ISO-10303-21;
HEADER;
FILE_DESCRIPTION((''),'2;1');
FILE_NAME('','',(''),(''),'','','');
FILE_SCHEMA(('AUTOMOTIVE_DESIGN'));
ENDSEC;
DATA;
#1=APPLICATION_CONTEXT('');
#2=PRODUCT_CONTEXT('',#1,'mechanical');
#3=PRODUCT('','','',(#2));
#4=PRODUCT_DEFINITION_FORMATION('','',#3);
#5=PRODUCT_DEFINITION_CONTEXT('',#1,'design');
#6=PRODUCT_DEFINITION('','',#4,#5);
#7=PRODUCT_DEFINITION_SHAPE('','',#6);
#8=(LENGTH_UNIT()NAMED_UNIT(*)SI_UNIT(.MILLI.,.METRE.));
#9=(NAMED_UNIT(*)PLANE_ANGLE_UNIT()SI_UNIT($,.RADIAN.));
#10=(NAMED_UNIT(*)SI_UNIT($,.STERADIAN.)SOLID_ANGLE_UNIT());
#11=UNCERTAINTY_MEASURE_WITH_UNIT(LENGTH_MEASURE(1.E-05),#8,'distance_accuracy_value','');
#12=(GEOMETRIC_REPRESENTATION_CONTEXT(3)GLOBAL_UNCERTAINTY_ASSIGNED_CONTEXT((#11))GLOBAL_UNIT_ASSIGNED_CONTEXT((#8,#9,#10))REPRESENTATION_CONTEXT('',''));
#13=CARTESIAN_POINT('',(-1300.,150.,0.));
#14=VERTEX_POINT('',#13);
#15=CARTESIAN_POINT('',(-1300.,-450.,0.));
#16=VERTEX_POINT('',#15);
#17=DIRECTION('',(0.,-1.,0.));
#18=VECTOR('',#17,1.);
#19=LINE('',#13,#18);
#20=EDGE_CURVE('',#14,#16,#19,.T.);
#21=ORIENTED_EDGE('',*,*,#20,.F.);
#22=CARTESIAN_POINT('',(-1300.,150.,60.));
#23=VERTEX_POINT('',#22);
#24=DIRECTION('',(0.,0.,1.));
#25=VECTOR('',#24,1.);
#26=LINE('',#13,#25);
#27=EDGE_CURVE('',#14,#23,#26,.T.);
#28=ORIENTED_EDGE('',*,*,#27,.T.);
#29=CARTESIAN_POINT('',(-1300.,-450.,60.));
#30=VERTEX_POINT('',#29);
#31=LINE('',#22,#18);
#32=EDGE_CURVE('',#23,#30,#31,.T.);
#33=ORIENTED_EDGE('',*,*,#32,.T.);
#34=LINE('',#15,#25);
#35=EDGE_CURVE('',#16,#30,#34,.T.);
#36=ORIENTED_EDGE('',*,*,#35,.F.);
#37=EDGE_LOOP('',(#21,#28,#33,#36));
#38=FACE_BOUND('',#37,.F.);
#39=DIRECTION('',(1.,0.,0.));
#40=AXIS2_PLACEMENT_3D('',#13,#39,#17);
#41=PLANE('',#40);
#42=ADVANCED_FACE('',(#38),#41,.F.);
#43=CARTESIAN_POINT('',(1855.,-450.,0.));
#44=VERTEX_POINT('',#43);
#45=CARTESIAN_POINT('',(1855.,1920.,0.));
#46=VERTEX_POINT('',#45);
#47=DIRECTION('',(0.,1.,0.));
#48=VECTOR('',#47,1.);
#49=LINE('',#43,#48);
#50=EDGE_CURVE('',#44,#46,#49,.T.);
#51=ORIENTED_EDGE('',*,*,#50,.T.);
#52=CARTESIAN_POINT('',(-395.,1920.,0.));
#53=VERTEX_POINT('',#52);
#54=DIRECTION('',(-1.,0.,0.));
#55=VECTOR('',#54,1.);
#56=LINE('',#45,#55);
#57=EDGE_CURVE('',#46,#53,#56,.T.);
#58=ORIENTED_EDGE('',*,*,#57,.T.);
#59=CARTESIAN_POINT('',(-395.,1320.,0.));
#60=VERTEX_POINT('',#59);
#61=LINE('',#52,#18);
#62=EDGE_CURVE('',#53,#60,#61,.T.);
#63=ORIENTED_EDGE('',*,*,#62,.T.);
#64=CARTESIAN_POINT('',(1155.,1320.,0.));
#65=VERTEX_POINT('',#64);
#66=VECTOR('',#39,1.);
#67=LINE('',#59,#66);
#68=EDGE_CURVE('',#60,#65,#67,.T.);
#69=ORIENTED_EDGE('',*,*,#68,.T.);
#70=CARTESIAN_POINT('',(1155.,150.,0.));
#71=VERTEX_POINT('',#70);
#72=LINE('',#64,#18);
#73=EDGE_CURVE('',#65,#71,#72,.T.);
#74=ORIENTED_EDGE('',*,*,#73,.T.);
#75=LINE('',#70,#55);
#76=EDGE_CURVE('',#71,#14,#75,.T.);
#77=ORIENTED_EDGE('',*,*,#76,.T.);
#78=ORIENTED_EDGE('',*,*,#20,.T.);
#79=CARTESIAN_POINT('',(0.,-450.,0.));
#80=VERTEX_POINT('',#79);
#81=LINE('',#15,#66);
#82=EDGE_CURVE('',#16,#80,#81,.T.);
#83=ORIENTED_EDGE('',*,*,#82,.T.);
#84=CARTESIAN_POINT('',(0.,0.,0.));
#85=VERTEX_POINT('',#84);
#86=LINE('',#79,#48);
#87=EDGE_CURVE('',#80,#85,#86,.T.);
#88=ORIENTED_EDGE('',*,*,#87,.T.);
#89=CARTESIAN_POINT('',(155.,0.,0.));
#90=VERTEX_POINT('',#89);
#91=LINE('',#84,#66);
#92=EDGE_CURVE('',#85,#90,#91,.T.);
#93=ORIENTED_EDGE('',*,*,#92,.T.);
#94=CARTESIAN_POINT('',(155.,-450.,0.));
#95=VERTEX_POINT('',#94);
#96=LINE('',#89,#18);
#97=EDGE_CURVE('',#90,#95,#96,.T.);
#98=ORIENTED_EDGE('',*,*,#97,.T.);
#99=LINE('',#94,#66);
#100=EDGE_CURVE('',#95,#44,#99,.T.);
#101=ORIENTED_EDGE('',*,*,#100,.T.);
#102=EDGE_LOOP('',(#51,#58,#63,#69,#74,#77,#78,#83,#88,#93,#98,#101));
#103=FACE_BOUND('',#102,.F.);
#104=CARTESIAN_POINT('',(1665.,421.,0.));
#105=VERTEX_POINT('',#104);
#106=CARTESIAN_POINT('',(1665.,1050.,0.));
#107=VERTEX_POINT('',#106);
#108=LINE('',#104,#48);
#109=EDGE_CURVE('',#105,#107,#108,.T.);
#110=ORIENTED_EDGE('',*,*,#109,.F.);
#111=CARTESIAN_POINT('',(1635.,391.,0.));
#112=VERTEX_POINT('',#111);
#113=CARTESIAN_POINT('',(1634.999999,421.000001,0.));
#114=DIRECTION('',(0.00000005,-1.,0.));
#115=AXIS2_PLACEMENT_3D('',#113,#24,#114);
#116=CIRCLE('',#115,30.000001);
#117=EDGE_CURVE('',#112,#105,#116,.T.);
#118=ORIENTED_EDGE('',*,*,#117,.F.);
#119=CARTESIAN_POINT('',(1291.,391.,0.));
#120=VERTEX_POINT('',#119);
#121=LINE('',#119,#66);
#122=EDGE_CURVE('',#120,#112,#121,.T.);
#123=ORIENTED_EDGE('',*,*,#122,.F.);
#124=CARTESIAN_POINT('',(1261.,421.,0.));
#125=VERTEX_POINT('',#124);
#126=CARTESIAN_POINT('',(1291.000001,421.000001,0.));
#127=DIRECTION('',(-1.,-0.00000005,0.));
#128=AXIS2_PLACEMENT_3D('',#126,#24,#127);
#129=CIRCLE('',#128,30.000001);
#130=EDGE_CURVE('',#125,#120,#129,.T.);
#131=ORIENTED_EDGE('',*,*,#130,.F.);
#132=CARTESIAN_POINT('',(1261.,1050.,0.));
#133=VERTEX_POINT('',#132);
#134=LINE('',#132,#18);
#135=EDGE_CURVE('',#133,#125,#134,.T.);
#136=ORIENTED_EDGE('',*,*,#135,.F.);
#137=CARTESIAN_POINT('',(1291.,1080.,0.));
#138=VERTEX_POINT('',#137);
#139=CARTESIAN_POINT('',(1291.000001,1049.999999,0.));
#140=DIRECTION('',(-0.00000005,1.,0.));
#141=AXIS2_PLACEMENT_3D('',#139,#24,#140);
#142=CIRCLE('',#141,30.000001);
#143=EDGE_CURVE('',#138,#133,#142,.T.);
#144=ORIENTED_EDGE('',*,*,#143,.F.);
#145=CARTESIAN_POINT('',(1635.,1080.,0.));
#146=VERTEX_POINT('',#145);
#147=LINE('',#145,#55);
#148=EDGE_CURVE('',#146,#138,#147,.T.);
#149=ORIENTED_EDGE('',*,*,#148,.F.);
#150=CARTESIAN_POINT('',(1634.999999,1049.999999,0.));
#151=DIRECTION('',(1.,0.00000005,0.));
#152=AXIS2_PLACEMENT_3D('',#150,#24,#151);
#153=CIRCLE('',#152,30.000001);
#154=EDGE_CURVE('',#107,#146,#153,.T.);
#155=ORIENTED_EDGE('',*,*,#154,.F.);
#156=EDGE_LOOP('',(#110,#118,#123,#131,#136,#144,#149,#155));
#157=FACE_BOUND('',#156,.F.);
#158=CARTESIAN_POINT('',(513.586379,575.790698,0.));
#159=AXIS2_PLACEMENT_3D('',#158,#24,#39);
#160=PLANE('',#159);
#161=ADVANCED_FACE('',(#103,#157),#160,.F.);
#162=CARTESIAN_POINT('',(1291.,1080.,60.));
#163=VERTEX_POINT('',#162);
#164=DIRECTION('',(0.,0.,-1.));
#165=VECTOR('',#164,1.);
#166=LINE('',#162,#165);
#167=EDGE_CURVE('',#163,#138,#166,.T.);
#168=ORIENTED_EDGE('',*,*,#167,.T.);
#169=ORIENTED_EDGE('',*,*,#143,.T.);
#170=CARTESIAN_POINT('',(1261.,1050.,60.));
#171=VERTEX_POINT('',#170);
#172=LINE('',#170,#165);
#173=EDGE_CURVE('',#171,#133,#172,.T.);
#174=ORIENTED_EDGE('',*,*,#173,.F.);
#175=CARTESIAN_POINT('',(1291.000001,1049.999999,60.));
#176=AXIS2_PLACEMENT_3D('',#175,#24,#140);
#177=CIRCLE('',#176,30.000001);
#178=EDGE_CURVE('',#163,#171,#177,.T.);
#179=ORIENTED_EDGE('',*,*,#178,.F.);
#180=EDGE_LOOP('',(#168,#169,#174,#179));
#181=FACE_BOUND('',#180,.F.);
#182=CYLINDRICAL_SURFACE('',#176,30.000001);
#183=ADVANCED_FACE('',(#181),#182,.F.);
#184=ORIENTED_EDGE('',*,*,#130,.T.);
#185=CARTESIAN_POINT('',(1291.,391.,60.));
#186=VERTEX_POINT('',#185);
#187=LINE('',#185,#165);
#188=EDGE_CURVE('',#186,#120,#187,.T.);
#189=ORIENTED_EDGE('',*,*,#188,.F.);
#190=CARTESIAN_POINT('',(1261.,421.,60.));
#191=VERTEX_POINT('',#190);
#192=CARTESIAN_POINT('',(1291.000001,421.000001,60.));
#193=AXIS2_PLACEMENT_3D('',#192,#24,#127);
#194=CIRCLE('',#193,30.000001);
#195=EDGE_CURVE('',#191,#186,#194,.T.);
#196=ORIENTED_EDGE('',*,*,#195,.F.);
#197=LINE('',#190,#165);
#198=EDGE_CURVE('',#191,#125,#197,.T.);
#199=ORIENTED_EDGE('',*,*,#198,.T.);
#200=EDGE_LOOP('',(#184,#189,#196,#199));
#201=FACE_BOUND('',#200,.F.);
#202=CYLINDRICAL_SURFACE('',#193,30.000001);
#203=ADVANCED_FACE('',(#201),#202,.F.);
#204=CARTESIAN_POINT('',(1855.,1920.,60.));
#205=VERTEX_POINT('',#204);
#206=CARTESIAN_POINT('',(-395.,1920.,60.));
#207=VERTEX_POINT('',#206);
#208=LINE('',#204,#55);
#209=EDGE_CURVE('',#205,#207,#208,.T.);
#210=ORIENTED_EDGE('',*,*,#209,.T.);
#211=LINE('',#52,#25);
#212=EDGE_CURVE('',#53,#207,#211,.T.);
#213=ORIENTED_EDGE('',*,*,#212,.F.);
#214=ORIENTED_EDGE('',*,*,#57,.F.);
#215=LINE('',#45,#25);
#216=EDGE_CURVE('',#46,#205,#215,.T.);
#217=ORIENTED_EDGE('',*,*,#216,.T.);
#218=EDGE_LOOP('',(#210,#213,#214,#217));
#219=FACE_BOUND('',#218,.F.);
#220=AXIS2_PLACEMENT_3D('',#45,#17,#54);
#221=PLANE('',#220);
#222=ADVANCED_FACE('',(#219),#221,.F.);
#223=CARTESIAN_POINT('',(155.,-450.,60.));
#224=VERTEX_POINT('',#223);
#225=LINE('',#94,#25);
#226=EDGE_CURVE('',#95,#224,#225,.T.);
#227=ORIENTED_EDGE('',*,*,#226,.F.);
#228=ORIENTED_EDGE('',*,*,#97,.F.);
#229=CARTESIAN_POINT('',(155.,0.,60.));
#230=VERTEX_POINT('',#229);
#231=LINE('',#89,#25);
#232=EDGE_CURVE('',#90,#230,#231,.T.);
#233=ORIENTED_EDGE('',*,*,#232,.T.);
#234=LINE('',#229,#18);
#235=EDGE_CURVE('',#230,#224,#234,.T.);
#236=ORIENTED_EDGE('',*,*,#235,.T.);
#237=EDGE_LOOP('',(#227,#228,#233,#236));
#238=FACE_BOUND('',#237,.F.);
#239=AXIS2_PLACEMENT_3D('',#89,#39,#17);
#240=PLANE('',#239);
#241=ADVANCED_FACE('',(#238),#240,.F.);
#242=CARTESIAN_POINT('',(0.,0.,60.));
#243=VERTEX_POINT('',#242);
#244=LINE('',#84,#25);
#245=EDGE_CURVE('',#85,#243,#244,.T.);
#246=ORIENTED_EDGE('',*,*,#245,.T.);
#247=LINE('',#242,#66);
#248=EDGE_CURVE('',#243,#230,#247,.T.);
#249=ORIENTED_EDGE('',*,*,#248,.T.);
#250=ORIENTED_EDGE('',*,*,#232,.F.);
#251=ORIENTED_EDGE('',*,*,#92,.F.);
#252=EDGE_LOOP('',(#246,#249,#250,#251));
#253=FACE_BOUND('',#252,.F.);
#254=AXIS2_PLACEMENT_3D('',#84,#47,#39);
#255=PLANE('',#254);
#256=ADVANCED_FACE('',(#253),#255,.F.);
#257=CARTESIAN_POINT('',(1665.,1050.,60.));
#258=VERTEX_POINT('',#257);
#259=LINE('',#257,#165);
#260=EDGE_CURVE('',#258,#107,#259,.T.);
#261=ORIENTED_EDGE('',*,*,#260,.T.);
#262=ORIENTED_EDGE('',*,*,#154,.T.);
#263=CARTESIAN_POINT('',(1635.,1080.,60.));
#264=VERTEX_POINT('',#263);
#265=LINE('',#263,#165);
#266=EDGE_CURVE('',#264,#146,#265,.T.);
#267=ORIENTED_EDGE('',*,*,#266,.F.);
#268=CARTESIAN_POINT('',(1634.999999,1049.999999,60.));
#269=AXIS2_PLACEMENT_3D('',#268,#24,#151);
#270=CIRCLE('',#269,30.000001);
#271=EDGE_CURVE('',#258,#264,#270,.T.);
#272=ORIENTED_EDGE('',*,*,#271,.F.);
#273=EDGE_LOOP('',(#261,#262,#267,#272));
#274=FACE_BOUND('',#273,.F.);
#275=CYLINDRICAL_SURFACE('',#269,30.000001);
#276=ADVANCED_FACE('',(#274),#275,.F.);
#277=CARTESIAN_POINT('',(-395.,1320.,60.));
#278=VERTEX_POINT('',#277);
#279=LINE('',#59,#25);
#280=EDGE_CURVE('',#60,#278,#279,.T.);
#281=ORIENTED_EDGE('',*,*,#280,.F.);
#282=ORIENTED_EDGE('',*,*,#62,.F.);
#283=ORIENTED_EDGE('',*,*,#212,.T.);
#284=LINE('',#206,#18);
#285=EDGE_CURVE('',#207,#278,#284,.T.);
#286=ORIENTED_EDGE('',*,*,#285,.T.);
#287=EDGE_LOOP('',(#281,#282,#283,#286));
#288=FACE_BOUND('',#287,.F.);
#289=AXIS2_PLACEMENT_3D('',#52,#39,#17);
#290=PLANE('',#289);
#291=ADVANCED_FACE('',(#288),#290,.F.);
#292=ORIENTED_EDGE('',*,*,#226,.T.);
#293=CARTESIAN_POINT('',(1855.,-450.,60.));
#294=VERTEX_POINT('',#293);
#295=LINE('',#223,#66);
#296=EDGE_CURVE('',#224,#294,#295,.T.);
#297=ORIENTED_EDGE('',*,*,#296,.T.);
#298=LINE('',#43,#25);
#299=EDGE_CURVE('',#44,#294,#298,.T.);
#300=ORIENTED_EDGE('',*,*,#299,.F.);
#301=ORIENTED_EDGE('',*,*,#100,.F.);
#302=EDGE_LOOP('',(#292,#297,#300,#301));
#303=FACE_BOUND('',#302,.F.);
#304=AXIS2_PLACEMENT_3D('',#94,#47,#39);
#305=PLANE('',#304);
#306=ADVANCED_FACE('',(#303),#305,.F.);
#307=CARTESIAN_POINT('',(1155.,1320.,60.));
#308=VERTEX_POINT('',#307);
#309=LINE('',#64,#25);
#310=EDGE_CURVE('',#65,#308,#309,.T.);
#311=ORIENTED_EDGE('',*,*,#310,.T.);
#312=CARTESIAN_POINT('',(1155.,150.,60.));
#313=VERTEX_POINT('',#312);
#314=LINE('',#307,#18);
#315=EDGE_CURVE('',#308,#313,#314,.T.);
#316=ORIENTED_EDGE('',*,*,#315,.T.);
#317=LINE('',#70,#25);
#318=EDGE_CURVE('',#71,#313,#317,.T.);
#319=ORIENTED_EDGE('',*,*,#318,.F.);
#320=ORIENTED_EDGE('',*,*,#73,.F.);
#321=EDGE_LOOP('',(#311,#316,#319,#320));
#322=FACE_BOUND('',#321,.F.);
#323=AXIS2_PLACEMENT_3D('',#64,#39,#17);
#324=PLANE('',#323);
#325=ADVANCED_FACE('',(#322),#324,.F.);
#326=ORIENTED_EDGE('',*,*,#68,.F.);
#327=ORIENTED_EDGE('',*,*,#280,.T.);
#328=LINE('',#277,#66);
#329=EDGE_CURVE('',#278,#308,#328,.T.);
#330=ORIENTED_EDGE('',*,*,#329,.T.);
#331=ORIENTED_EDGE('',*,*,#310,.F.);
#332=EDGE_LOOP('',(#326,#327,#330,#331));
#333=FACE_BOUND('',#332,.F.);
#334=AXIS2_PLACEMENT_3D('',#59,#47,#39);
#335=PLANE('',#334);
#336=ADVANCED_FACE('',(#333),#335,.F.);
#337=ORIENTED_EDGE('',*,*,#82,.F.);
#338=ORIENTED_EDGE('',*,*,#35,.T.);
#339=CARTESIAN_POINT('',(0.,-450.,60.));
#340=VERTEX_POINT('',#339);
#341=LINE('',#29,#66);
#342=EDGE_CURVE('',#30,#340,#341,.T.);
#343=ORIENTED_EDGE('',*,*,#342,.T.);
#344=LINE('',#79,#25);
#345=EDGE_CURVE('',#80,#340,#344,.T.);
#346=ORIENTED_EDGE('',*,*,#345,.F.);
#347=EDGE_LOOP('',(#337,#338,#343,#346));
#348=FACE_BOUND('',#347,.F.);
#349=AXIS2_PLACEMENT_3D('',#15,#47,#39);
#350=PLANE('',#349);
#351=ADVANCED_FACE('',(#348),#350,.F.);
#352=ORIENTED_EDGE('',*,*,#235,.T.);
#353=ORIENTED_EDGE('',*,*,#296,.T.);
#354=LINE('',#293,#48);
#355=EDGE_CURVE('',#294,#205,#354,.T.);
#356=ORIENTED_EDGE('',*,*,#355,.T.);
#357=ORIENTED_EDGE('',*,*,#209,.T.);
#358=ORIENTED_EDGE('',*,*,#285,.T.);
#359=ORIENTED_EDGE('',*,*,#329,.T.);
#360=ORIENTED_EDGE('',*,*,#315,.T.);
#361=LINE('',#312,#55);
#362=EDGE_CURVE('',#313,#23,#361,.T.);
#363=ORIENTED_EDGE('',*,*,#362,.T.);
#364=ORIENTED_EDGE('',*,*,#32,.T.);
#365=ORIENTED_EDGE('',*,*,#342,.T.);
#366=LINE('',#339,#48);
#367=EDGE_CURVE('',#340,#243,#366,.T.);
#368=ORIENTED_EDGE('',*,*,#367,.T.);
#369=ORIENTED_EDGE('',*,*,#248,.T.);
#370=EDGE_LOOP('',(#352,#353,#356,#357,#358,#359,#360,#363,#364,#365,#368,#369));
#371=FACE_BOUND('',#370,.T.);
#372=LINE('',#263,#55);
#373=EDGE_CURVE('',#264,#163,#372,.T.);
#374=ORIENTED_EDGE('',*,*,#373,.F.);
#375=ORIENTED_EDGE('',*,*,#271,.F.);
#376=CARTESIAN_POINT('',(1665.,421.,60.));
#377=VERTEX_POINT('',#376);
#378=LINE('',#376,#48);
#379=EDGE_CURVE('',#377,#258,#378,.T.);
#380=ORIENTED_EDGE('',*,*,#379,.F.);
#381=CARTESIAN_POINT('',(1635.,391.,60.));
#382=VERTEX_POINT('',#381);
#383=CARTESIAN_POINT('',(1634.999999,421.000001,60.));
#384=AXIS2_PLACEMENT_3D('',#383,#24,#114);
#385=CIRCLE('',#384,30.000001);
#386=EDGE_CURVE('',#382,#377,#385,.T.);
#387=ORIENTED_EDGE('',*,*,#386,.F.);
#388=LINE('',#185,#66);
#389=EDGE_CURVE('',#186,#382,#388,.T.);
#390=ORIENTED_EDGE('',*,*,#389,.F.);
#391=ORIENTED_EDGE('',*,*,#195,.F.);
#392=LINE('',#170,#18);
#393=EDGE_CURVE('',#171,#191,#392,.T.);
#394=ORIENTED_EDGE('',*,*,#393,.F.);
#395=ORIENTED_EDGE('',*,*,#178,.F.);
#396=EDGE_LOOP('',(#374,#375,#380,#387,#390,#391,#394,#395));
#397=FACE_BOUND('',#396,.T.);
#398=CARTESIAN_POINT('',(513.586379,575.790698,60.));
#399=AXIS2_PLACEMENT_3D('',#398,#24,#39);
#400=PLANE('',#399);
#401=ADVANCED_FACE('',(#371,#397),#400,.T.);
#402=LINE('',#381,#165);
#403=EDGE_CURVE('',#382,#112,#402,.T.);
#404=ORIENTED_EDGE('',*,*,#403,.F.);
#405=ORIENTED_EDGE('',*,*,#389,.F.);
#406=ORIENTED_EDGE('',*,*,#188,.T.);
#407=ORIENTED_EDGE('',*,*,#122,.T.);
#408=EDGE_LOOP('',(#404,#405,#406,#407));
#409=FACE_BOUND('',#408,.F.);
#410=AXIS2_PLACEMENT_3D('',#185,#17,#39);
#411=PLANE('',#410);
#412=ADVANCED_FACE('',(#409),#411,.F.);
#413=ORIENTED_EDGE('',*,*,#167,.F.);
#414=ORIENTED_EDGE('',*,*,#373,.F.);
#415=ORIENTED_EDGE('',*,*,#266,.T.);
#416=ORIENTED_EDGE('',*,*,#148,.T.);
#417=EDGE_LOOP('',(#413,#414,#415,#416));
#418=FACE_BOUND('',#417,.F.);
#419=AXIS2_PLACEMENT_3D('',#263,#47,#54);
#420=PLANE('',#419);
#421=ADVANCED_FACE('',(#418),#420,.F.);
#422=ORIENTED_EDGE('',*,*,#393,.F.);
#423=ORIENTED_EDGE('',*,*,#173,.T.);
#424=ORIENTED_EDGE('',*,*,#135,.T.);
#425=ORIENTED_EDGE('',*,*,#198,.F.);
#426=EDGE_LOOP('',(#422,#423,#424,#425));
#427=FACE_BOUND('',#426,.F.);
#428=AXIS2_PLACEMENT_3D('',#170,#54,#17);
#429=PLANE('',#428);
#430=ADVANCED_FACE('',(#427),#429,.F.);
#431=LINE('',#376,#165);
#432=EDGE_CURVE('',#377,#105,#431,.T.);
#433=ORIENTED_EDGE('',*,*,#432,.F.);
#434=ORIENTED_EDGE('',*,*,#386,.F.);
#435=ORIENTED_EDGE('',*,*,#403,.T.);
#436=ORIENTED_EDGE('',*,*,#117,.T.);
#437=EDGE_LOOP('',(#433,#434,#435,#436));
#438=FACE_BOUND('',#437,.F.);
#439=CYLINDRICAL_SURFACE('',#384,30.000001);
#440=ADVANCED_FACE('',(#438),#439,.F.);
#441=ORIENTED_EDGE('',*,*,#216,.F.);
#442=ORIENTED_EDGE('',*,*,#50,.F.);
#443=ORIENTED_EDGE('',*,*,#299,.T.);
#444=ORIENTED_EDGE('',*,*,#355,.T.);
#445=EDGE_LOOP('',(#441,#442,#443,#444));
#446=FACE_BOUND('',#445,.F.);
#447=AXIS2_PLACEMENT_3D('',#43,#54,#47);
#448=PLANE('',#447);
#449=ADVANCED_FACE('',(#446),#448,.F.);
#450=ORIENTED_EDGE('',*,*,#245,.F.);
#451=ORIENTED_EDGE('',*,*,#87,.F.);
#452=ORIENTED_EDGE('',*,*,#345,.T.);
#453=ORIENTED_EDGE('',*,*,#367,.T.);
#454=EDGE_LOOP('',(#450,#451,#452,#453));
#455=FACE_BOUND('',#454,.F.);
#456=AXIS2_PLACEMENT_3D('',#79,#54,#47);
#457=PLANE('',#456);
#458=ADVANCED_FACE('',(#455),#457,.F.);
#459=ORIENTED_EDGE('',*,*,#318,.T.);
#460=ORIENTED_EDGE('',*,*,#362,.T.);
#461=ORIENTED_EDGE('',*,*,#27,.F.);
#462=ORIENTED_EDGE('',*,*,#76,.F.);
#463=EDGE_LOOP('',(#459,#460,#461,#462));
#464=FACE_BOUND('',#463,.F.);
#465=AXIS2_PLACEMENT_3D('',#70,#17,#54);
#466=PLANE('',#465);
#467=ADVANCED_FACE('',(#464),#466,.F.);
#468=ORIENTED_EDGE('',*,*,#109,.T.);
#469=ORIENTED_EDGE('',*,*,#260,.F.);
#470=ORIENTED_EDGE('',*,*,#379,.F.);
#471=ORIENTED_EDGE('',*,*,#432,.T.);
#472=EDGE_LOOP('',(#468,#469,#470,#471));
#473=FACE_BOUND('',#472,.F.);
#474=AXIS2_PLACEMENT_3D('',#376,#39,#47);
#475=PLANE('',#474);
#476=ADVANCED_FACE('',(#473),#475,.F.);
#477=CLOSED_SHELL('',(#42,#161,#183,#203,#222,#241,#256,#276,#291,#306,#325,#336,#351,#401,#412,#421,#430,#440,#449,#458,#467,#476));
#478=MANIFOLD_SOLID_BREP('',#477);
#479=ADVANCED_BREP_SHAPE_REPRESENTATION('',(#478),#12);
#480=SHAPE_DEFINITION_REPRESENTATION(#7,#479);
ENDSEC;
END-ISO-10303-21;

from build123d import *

# Parameters (mm, degrees)
F1_DEPTH = 60
F3_DEPTH = 60


with BuildPart() as f1:
    # F0 (on Top) → F1 (new body)
    with BuildSketch(Plane.XY):
        Polygon((0, -450), (0, 0), (155, 0), (155, -450), (1855, -450), (1855, 1920), (-395, 1920), (-395, 1320), (1155, 1320), (1155, 150), (-1300, 150), (-1300, -450), align=None)
    extrude(amount=F1_DEPTH)

    # F2 (on face) → F3 (cut, through all)
    with BuildSketch(Plane.XY.offset(60)):
        with BuildLine():
            ThreePointArc((1665, 1050), (1656.213203, 1071.213203), (1635, 1080))
            Line((1635, 1080), (1291, 1080))
            ThreePointArc((1291, 1080), (1269.786797, 1071.213203), (1261, 1050))
            Line((1261, 1050), (1261, 421))
            ThreePointArc((1261, 421), (1269.786797, 399.786797), (1291, 391))
            Line((1291, 391), (1635, 391))
            ThreePointArc((1635, 391), (1656.213203, 399.786797), (1665, 421))
            Line((1665, 421), (1665, 1050))
        make_face()
    extrude(amount=-F3_DEPTH, mode=Mode.SUBTRACT)


solid = f1.part
